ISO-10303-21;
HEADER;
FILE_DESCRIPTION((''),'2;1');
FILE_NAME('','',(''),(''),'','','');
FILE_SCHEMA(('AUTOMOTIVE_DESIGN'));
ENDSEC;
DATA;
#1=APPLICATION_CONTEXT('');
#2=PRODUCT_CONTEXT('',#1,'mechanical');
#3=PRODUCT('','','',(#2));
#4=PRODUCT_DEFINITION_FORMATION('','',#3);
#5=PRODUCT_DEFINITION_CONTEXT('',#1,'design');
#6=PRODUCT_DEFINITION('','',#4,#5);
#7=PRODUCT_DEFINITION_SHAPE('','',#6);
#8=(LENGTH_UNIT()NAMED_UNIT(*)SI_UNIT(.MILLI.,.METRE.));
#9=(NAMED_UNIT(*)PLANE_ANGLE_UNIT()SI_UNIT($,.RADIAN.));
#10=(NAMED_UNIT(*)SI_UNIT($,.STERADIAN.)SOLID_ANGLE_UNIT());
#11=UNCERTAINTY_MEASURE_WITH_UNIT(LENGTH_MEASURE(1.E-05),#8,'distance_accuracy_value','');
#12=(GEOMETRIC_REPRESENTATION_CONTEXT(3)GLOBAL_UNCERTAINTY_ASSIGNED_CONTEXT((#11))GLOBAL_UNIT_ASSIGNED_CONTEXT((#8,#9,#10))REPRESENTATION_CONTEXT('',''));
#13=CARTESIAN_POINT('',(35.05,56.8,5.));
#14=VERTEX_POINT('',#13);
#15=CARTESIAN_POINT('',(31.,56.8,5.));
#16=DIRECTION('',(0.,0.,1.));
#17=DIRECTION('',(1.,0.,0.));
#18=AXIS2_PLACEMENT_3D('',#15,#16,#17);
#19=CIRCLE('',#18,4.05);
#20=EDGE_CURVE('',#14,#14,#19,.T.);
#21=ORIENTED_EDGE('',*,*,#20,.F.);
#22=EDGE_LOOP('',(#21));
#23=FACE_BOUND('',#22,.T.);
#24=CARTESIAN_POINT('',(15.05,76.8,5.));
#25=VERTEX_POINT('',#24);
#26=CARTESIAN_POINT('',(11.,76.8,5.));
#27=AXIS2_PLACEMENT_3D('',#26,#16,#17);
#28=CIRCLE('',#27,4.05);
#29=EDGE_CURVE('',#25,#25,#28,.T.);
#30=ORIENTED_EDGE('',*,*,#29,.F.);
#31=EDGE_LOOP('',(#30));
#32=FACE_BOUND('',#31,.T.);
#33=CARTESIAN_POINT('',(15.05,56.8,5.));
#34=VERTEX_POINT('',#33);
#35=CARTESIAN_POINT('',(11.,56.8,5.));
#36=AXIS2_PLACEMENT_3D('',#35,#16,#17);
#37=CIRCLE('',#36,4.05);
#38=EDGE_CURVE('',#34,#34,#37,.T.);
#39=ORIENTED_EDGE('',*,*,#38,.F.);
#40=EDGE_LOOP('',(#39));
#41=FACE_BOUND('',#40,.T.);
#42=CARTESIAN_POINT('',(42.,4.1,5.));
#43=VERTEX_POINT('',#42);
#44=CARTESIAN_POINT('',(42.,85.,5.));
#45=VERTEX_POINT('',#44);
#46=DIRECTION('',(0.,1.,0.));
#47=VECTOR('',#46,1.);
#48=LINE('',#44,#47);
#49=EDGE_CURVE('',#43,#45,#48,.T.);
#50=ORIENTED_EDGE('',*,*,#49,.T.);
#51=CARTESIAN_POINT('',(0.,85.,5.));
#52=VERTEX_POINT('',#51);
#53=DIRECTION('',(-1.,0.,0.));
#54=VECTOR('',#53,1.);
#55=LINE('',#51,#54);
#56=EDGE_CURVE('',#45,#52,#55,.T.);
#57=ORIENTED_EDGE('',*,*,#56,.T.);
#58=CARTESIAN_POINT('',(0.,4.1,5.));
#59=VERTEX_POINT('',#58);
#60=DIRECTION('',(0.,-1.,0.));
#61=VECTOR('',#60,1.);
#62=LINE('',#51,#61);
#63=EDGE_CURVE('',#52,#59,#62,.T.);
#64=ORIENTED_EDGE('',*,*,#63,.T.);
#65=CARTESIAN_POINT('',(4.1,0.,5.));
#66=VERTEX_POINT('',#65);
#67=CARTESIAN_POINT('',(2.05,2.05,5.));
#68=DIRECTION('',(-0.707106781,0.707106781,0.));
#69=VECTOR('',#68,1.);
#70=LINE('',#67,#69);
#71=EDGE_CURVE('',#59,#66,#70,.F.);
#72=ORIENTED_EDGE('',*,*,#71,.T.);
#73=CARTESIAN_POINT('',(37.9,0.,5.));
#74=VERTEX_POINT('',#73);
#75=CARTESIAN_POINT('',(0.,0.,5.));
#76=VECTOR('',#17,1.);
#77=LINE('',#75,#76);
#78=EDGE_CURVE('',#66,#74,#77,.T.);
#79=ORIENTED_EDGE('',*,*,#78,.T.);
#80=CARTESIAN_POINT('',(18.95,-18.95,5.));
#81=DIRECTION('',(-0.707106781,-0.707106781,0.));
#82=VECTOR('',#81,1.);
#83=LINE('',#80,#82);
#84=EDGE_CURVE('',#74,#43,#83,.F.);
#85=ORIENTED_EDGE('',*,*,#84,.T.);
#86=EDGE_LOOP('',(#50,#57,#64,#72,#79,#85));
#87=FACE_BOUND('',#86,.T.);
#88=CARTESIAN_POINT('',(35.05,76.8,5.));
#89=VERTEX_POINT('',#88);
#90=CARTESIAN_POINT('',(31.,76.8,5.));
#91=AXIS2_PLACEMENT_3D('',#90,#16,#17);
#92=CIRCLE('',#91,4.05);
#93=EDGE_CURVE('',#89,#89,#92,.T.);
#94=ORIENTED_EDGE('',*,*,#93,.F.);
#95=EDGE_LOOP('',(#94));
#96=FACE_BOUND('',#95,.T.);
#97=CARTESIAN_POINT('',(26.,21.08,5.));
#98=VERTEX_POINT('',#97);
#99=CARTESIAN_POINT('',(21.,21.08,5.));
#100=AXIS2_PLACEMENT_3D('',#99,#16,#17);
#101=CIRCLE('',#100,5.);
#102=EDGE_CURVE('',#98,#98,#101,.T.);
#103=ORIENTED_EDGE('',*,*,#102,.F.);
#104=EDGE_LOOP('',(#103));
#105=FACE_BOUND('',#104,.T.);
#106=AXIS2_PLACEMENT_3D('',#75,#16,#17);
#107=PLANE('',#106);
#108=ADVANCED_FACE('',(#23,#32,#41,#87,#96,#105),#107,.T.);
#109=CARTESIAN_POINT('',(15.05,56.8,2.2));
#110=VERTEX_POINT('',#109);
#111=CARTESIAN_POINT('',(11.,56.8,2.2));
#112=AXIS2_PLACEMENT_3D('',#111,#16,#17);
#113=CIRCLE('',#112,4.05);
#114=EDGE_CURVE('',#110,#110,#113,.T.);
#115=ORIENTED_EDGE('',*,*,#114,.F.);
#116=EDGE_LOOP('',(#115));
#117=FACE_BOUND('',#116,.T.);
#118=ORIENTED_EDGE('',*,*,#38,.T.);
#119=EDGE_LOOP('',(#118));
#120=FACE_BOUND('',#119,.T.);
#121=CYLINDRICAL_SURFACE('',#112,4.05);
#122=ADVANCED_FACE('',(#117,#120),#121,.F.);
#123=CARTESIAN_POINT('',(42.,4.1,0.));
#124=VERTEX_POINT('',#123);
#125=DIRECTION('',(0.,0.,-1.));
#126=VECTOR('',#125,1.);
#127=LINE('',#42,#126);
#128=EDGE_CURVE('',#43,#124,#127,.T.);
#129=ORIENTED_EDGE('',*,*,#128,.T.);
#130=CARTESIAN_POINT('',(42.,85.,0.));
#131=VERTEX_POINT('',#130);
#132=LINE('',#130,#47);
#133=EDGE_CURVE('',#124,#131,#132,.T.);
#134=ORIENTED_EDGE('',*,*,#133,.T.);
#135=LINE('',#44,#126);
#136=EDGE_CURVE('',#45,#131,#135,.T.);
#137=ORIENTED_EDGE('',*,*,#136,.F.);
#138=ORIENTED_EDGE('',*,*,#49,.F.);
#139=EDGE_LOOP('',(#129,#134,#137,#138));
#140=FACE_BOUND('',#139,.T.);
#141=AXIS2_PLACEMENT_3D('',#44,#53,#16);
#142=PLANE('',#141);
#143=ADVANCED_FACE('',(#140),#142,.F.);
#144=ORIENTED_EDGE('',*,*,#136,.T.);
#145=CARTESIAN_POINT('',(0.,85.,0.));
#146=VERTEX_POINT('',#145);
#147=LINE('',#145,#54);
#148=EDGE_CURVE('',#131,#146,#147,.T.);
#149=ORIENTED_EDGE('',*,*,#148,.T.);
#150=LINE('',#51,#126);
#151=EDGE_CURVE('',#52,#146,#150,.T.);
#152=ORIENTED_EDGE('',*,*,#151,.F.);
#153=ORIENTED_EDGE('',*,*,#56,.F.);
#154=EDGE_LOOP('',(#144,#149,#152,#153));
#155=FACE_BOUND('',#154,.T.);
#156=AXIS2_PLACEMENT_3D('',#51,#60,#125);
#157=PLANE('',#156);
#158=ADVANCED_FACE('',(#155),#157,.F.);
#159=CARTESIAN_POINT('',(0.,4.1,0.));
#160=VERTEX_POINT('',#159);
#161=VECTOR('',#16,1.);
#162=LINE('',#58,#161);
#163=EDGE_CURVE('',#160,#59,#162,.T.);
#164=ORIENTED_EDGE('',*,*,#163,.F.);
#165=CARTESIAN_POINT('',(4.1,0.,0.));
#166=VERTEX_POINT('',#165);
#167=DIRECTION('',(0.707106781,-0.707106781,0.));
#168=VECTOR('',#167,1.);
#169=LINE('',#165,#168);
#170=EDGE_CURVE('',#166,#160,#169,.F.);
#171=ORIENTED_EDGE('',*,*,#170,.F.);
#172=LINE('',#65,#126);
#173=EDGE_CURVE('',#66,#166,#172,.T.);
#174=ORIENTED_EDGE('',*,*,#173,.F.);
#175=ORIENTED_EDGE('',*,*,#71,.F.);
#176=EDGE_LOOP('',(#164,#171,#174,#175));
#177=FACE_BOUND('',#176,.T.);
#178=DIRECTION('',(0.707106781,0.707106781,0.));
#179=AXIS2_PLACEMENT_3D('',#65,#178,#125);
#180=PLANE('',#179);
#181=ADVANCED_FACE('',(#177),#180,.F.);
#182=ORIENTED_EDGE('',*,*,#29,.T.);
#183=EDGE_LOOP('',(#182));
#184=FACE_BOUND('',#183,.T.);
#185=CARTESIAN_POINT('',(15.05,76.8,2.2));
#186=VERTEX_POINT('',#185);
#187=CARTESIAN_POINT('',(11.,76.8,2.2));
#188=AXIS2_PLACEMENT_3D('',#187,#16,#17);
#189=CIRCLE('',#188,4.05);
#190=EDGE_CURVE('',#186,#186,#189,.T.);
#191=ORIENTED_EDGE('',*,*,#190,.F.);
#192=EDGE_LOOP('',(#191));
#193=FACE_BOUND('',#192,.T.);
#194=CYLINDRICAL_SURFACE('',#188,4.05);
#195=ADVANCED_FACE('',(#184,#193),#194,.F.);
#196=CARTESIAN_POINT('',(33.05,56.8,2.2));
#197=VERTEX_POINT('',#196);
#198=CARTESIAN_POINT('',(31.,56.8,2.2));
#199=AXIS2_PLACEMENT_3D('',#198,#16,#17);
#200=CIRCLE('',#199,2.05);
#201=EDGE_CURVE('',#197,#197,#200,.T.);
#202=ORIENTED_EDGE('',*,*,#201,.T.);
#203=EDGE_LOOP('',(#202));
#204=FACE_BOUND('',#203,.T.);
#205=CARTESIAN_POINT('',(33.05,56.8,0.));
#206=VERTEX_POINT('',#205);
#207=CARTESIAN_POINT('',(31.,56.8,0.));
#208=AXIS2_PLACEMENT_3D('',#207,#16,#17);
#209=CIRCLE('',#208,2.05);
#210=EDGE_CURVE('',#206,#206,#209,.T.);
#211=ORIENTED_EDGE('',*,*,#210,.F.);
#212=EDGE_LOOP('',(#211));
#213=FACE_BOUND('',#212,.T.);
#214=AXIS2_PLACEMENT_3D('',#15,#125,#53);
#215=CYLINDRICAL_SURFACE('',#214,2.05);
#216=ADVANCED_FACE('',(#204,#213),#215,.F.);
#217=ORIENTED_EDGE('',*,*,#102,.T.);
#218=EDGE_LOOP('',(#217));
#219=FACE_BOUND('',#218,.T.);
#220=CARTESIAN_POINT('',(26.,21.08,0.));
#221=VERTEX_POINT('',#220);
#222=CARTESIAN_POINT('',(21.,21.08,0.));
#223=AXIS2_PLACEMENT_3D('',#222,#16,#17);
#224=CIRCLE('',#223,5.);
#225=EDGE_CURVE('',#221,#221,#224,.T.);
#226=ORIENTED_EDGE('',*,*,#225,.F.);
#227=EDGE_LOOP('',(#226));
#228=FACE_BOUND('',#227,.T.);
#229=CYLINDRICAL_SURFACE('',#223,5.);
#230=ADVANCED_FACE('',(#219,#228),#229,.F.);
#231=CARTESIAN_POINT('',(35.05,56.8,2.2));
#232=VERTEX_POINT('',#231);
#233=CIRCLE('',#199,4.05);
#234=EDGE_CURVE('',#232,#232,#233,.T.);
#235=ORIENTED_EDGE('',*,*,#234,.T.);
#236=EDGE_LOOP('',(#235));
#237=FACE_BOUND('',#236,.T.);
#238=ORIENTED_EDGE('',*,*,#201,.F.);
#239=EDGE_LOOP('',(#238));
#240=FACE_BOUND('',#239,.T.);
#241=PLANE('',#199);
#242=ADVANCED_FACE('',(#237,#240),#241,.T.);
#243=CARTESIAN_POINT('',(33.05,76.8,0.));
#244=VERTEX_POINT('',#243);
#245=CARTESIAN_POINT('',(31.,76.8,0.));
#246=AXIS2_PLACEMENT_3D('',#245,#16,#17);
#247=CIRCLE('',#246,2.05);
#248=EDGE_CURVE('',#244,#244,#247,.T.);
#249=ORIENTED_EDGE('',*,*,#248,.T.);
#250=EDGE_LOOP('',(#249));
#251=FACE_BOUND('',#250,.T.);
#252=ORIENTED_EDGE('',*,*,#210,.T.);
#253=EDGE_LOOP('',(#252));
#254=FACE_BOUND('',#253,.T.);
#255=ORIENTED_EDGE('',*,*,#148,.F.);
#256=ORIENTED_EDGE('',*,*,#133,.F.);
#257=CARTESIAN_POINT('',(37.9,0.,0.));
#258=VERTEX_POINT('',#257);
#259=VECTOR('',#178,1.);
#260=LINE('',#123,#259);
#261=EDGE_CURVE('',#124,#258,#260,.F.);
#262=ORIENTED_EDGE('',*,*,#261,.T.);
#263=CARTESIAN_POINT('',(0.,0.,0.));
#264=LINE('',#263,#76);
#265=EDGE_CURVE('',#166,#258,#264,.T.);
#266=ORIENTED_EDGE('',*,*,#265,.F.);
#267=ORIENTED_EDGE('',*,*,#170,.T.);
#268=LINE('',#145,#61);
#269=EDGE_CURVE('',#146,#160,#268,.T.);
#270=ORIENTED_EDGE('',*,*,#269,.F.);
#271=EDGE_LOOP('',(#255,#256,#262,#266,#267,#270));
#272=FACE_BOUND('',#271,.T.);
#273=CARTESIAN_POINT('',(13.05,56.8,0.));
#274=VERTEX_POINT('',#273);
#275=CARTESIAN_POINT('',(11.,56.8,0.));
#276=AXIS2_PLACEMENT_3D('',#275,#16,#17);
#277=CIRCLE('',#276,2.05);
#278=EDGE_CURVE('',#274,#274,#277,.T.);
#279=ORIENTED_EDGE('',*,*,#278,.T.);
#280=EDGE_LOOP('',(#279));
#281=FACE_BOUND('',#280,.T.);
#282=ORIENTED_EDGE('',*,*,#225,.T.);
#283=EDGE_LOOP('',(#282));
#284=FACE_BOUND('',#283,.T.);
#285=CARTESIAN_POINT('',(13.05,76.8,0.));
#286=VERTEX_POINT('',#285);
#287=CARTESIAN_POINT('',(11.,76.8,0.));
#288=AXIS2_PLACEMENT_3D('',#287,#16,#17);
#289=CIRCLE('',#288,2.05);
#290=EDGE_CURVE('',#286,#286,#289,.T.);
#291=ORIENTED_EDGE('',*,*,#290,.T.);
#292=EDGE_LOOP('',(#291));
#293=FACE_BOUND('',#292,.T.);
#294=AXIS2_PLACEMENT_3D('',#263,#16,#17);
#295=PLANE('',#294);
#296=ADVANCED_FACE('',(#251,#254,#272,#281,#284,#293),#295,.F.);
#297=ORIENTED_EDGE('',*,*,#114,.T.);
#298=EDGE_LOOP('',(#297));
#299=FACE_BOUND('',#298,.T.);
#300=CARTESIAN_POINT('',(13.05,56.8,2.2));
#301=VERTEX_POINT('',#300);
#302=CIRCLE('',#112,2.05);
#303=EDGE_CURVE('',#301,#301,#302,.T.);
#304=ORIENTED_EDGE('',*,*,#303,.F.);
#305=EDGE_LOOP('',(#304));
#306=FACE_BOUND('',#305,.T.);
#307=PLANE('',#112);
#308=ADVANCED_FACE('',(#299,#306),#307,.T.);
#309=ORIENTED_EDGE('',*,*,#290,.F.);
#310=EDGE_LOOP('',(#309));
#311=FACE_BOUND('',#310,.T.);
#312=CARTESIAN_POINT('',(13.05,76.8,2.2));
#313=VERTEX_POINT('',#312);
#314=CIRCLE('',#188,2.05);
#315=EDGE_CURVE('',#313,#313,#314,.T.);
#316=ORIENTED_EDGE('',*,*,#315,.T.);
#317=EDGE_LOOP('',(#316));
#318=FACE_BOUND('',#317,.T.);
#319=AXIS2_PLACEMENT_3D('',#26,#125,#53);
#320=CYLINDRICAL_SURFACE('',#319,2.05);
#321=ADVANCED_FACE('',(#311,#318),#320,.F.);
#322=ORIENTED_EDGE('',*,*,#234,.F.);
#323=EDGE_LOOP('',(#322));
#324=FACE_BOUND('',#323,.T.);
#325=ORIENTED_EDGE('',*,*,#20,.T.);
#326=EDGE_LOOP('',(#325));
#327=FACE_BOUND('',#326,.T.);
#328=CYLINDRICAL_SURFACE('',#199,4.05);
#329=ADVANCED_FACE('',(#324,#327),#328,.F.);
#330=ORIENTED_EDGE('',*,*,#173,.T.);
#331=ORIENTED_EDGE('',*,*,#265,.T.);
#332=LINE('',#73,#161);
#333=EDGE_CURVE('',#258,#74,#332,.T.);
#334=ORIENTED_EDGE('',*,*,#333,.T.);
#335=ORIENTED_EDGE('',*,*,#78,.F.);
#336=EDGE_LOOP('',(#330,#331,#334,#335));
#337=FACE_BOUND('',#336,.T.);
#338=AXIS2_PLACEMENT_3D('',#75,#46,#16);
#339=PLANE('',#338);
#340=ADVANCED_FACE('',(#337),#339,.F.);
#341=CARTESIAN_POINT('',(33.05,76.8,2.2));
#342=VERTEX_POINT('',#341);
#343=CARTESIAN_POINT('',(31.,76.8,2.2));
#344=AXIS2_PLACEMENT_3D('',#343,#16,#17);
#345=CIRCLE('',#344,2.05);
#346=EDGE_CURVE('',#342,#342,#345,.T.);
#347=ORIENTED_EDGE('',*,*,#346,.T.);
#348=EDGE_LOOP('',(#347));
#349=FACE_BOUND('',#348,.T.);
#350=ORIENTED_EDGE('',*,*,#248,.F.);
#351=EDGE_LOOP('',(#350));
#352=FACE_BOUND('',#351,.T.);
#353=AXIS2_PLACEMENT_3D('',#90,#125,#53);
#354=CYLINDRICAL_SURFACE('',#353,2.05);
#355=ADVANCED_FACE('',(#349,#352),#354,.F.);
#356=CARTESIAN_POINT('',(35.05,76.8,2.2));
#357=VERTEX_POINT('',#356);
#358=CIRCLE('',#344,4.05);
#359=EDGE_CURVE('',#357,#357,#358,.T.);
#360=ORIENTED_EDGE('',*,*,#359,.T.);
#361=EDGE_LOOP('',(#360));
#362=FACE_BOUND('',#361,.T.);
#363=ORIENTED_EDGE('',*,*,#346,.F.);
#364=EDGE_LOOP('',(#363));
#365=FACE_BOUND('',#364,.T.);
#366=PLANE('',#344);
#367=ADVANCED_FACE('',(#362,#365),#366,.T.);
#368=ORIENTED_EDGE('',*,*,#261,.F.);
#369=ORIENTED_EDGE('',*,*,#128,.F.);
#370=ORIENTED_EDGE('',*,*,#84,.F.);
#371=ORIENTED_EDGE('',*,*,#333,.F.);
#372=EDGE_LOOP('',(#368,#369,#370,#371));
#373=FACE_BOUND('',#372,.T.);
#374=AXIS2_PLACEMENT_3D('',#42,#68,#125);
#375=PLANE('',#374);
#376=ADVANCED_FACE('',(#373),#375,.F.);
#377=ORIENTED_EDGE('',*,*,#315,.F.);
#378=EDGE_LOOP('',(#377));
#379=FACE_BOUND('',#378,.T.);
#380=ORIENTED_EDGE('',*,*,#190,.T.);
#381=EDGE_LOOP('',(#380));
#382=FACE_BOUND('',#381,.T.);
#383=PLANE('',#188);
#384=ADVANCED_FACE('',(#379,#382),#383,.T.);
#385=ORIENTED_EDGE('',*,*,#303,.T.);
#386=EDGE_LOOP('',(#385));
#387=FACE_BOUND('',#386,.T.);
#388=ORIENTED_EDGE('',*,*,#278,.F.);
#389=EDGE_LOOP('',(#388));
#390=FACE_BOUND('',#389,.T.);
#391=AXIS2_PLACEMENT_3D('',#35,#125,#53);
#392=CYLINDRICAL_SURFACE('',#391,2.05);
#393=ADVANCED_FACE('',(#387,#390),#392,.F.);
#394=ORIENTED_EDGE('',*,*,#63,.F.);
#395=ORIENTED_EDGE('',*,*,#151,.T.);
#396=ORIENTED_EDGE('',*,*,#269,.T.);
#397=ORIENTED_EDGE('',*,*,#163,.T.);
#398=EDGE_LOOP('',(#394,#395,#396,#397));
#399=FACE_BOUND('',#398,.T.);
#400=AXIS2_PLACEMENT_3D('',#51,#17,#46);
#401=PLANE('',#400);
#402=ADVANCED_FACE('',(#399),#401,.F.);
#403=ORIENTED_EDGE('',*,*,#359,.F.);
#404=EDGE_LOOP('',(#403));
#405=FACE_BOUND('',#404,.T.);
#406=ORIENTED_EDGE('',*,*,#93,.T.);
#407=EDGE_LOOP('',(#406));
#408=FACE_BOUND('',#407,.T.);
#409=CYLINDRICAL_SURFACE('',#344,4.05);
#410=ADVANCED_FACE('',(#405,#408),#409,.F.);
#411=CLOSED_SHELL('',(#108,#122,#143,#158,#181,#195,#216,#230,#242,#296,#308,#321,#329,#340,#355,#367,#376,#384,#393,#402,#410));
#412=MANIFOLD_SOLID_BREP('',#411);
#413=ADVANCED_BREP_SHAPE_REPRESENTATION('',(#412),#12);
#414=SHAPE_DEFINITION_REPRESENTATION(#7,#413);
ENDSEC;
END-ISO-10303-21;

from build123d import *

# Parameters (mm, degrees)
CROQUIS1_W              = 42
CROQUIS1_H              = 85
CROQUIS1_R              = 2.05
SALIENTE_EXTRUIR1_DEPTH = 5
CROQUIS4_R              = 4.05
CORTAR_EXTRUIR1_DEPTH   = 2.8
CHAFL_N1_SIZE           = 4.1
CROQUIS7_R              = 5
CORTAR_EXTRUIR4_DEPTH   = 6


with BuildPart() as part:
    # Croquis1 → Saliente-Extruir1 (new body)
    with BuildSketch(Plane.XY):
        with Locations((21, 42.5)):
            Rectangle(CROQUIS1_W, CROQUIS1_H)
        with Locations((11, 76.8)):
            Circle(CROQUIS1_R, mode=Mode.SUBTRACT)
        with Locations((31, 76.8)):
            Circle(CROQUIS1_R, mode=Mode.SUBTRACT)
        with Locations((31, 56.8)):
            Circle(CROQUIS1_R, mode=Mode.SUBTRACT)
        with Locations((11, 56.8)):
            Circle(CROQUIS1_R, mode=Mode.SUBTRACT)
    extrude(amount=SALIENTE_EXTRUIR1_DEPTH)

    # Croquis4 → Cortar-Extruir1 (cut)
    with BuildSketch(Plane.XY.offset(5)):
        with Locations((11, 76.8)):
            Circle(CROQUIS4_R)
        with Locations((11, 56.8)):
            Circle(CROQUIS4_R)
        with Locations((31, 56.8)):
            Circle(CROQUIS4_R)
        with Locations((31, 76.8)):
            Circle(CROQUIS4_R)
    extrude(amount=-CORTAR_EXTRUIR1_DEPTH, mode=Mode.SUBTRACT)

    # Chaflán1
    chafl_n1_edges = [part.edges().sort_by_distance(p)[0] for p in [
        (42, 0, 2.5),
        (0, 0, 2.5),
    ]]
    chamfer(chafl_n1_edges, length=CHAFL_N1_SIZE)

    # Croquis7 → Cortar-Extruir4 (cut, through all)
    with BuildSketch(Plane.XY.offset(5)):
        with Locations((21, 21.08)):
            Circle(CROQUIS7_R)
    extrude(amount=-CORTAR_EXTRUIR4_DEPTH, mode=Mode.SUBTRACT)


solid = part.part
